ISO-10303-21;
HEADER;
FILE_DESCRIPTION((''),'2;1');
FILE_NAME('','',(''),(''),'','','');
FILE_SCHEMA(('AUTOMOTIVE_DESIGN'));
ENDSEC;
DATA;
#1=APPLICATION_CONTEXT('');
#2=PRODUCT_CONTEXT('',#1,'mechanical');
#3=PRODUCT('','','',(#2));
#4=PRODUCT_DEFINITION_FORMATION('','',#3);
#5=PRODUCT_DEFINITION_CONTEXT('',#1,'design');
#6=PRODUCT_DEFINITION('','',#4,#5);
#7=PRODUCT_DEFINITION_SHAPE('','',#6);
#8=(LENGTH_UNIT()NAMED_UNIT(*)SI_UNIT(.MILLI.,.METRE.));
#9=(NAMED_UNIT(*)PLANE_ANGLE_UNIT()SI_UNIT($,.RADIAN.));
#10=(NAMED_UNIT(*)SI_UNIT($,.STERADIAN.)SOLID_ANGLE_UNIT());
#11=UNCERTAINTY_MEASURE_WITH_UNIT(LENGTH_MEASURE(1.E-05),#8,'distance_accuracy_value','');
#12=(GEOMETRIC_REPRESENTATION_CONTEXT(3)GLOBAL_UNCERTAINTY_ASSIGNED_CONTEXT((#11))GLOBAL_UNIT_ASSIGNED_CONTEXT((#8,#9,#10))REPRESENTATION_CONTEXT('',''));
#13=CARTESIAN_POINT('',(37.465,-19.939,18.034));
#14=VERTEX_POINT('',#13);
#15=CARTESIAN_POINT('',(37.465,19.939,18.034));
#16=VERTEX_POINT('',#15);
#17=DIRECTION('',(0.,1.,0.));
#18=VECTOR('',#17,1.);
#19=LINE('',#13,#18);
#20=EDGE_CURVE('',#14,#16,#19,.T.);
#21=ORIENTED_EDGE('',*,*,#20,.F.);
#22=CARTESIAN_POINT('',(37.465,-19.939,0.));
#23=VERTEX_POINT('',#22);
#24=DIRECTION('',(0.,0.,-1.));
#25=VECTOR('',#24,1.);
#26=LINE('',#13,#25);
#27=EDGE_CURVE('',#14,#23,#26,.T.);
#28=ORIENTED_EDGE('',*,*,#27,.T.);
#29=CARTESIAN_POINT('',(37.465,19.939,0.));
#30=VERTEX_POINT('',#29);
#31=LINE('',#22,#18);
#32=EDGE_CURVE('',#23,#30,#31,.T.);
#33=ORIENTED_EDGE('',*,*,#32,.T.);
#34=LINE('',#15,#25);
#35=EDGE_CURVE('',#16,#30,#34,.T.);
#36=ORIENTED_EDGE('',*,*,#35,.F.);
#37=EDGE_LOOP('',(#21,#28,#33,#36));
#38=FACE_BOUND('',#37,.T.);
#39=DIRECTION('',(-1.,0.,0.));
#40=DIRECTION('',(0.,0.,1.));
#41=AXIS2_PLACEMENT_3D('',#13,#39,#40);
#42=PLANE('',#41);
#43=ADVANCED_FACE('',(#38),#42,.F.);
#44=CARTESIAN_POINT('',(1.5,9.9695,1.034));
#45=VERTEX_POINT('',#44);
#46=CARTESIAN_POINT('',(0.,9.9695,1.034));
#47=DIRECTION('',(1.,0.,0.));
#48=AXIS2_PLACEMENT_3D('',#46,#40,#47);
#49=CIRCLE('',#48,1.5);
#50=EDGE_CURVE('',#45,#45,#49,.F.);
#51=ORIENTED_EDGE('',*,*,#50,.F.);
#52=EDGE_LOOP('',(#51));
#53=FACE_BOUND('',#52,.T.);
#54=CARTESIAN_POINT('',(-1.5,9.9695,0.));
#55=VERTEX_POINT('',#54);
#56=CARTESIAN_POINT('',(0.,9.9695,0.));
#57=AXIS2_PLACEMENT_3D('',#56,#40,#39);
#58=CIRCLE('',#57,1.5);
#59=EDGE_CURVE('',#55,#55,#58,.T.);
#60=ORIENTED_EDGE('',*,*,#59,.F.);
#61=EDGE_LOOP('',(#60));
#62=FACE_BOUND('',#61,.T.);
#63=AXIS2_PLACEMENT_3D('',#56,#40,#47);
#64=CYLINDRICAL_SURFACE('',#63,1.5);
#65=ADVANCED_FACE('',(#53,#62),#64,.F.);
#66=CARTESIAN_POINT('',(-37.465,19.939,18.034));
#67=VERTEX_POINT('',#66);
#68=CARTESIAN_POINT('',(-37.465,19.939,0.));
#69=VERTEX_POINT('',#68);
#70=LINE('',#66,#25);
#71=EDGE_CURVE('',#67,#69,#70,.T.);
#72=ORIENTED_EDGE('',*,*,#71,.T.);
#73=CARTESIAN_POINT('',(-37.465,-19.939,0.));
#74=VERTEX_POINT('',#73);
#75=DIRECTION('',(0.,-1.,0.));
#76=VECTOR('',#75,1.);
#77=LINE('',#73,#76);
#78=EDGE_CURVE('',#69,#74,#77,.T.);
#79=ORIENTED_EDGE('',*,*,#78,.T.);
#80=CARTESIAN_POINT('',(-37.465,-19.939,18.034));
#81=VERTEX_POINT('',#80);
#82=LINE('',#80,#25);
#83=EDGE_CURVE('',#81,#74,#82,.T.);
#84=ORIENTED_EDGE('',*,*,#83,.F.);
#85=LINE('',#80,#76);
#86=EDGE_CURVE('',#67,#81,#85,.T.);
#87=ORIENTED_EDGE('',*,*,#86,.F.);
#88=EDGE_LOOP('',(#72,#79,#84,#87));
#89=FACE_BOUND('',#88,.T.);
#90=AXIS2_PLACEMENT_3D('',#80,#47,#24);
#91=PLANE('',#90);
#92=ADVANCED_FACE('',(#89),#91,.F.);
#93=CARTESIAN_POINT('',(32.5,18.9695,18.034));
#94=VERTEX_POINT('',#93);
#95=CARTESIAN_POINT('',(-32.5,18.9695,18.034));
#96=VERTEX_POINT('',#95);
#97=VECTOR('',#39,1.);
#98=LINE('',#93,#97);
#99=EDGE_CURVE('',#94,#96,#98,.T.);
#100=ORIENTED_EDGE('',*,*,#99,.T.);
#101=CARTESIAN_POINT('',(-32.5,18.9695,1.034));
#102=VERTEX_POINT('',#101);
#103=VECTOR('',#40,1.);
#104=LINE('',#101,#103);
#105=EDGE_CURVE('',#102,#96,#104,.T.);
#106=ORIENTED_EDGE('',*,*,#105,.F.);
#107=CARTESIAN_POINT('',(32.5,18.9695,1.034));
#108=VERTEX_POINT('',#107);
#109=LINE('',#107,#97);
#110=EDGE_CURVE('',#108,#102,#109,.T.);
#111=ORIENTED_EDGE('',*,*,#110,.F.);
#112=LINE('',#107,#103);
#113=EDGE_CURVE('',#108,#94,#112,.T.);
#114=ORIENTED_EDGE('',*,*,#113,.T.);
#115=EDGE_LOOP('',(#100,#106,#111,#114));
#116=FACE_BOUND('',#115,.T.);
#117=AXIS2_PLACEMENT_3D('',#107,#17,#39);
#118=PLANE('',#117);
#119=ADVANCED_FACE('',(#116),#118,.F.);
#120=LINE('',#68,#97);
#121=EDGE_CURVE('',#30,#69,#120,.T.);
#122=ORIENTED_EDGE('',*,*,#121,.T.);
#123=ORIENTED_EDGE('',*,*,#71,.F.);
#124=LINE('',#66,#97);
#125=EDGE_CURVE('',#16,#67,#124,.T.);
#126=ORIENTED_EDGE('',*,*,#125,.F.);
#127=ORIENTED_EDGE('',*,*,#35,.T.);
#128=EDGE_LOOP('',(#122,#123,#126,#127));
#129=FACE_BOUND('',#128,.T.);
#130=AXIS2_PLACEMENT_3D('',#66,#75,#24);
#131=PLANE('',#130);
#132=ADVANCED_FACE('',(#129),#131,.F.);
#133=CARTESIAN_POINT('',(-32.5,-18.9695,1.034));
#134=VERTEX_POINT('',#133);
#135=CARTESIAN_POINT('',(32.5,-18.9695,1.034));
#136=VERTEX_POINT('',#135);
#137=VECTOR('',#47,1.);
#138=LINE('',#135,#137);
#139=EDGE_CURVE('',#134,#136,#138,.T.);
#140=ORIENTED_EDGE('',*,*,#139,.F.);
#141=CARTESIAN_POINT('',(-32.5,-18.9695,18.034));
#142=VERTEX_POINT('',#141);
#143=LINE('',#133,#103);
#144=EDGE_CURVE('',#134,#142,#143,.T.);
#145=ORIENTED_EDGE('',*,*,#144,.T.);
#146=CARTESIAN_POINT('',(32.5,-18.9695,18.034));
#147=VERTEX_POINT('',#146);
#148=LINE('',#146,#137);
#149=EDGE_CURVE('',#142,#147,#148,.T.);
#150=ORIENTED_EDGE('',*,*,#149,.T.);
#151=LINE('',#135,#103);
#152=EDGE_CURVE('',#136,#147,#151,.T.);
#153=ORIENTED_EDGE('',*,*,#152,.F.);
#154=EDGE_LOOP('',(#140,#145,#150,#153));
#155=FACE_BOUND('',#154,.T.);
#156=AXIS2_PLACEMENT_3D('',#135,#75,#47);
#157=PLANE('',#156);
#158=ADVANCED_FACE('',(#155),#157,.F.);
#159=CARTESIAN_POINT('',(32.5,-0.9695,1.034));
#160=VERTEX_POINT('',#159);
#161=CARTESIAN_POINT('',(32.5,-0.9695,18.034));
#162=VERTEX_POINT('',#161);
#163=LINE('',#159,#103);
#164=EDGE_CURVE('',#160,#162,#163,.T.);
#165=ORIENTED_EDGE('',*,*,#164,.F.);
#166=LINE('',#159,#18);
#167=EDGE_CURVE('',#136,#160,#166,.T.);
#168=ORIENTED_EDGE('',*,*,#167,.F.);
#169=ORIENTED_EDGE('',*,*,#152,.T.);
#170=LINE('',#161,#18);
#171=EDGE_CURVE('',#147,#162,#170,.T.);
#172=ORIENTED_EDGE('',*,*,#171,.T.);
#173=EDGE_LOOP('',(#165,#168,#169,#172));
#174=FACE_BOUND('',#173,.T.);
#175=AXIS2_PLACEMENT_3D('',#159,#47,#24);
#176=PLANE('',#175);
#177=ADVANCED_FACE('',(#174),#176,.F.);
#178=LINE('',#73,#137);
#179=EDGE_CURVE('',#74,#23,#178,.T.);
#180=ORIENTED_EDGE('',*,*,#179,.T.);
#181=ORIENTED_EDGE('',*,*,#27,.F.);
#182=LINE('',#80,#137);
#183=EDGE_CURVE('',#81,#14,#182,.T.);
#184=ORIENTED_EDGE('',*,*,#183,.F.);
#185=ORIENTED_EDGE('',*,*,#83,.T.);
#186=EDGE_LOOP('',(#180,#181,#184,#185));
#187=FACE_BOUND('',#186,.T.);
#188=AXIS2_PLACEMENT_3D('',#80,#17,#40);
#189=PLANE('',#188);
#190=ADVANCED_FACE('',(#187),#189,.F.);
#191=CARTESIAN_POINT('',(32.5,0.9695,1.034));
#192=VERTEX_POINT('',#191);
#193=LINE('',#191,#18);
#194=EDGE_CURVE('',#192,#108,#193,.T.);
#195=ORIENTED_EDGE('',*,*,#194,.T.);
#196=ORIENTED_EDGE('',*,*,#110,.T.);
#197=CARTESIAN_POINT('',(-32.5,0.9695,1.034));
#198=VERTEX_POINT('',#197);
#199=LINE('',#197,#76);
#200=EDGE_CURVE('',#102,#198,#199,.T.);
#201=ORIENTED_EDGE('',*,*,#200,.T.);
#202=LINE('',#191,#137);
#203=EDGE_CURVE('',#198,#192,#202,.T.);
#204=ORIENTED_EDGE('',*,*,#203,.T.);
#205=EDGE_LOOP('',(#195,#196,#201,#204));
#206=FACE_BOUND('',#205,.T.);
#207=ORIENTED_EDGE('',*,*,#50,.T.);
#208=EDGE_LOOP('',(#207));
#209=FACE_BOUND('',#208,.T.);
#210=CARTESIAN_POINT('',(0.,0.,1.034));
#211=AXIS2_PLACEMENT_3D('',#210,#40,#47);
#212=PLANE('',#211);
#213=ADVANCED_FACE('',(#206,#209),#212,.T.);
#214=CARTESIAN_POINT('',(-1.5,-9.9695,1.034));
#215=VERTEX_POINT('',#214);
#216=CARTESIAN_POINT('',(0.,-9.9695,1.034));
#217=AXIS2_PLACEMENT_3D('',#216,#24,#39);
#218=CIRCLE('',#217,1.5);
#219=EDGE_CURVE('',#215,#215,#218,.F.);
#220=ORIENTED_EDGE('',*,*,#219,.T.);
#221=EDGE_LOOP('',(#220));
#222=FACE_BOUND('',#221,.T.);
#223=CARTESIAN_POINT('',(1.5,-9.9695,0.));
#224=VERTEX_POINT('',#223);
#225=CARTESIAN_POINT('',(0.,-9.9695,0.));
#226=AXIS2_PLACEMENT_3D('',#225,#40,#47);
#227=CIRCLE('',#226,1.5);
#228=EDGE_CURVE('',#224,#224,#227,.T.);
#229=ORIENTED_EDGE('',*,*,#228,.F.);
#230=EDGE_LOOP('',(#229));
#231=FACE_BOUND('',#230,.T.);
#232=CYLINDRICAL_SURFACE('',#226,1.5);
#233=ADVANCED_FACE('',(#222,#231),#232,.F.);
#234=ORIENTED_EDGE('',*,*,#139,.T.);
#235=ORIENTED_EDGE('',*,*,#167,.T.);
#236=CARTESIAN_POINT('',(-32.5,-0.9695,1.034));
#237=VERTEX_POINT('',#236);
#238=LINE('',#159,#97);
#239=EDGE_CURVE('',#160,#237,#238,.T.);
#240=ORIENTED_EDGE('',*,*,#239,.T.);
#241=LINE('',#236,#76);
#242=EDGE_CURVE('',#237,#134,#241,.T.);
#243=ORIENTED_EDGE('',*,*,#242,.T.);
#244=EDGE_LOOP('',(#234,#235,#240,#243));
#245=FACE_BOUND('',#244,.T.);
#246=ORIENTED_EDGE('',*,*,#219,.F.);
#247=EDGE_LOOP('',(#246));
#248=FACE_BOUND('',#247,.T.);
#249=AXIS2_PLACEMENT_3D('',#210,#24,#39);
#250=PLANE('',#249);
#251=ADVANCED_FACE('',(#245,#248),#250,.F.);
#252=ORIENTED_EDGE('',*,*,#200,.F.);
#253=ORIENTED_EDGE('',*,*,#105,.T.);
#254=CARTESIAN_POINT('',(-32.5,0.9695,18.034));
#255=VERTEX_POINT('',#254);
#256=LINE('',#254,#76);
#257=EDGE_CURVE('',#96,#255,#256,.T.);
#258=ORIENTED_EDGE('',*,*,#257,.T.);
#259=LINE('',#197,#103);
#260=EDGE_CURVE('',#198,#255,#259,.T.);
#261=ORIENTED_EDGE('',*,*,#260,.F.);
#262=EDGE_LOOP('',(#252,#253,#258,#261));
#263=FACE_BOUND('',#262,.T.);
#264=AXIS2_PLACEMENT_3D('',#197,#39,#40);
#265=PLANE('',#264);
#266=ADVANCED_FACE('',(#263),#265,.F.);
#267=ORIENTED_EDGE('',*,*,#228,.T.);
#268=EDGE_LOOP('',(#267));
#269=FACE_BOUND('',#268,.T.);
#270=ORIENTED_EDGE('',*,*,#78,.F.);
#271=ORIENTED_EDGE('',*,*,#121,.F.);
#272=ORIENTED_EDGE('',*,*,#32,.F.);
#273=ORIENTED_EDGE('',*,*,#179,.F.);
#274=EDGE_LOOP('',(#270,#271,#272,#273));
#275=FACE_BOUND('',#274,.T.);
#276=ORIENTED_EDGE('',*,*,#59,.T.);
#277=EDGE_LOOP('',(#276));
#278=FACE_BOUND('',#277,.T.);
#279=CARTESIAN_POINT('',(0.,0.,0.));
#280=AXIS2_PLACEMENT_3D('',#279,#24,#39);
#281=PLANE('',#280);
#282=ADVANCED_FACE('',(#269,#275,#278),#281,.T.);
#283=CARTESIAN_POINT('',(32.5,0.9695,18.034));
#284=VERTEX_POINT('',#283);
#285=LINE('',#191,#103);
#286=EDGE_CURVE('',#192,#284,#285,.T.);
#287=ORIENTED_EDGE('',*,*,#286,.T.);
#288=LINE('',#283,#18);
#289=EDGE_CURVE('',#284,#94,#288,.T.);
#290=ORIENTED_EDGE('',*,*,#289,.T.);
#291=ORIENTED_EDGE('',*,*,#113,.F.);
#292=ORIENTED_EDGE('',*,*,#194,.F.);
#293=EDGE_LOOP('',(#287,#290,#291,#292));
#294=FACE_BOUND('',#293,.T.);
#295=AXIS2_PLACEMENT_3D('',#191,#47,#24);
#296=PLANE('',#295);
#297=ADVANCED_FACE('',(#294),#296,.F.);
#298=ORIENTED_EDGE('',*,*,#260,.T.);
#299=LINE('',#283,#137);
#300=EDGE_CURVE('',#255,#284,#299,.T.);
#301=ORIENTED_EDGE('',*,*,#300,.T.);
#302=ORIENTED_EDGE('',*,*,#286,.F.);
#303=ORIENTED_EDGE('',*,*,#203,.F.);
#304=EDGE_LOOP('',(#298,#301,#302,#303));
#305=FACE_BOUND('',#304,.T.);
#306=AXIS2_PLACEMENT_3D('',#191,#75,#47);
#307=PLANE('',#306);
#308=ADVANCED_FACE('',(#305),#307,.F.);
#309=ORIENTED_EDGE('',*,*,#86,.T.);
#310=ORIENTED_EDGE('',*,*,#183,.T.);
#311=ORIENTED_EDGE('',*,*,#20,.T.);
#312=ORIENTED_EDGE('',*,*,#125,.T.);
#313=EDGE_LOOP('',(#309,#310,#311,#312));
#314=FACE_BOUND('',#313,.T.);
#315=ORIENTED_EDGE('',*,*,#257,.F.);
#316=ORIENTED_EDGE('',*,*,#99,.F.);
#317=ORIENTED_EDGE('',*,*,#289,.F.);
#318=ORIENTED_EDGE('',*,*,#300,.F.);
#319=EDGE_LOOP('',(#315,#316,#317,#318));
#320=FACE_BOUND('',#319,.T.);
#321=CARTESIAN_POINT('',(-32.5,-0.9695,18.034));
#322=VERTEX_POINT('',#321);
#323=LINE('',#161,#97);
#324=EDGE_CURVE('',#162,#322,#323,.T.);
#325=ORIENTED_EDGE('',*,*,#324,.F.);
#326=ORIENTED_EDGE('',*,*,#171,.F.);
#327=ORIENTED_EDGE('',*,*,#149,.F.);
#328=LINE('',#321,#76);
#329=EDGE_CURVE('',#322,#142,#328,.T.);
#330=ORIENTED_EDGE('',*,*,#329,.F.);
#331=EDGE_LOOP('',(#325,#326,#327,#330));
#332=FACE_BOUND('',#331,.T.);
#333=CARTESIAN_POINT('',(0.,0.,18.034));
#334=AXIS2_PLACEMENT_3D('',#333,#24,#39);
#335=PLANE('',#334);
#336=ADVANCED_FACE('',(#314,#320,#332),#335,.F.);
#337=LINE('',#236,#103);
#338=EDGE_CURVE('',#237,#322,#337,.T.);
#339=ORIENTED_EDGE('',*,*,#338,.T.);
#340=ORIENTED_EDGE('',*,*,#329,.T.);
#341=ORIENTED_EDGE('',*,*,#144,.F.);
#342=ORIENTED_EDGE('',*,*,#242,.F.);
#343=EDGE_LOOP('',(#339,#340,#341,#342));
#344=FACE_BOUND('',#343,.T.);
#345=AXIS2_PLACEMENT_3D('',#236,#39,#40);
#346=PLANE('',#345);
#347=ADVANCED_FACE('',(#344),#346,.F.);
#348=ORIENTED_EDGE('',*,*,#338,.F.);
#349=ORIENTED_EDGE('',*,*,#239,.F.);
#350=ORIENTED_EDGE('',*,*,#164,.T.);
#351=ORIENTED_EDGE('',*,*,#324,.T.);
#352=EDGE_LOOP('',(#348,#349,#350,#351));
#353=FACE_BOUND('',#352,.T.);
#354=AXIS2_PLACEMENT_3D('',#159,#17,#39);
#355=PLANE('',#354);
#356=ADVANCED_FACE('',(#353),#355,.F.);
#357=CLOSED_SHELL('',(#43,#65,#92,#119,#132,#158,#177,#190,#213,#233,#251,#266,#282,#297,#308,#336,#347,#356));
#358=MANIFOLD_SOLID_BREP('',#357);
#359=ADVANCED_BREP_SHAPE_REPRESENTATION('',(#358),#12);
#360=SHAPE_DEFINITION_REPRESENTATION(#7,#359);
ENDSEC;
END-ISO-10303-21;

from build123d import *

# Parameters (mm, degrees)
SKETCH1_W           = 74.93
SKETCH1_H           = 39.878
BOSS_EXTRUDE1_DEPTH = 18.034
SKETCH2_R           = 1.5
CUT_EXTRUDE1_DEPTH  = 18.034
SKETCH3_W           = 65
SKETCH3_H           = 18
CUT_EXTRUDE2_DEPTH  = 17


with BuildPart() as part:
    # Sketch1 → Boss-Extrude1 (new body)
    with BuildSketch(Plane.XY):
        Rectangle(SKETCH1_W, SKETCH1_H)
    extrude(amount=BOSS_EXTRUDE1_DEPTH)

    # Sketch2 → Cut-Extrude1 (cut)
    with BuildSketch(Plane.XY.offset(18.034)):
        with Locations((0, -9.9695)):
            Circle(SKETCH2_R)
        with Locations((0, 9.9695)):
            Circle(SKETCH2_R)
    extrude(amount=-CUT_EXTRUDE1_DEPTH, mode=Mode.SUBTRACT)

    # Sketch3 → Cut-Extrude2 (cut)
    with BuildSketch(Plane.XY.offset(18.034)):
        with Locations((0, 9.9695)):
            Rectangle(SKETCH3_W, SKETCH3_H)
        with Locations((0, -9.9695)):
            Rectangle(SKETCH3_W, SKETCH3_H)
    extrude(amount=-CUT_EXTRUDE2_DEPTH, mode=Mode.SUBTRACT)


solid = part.part
